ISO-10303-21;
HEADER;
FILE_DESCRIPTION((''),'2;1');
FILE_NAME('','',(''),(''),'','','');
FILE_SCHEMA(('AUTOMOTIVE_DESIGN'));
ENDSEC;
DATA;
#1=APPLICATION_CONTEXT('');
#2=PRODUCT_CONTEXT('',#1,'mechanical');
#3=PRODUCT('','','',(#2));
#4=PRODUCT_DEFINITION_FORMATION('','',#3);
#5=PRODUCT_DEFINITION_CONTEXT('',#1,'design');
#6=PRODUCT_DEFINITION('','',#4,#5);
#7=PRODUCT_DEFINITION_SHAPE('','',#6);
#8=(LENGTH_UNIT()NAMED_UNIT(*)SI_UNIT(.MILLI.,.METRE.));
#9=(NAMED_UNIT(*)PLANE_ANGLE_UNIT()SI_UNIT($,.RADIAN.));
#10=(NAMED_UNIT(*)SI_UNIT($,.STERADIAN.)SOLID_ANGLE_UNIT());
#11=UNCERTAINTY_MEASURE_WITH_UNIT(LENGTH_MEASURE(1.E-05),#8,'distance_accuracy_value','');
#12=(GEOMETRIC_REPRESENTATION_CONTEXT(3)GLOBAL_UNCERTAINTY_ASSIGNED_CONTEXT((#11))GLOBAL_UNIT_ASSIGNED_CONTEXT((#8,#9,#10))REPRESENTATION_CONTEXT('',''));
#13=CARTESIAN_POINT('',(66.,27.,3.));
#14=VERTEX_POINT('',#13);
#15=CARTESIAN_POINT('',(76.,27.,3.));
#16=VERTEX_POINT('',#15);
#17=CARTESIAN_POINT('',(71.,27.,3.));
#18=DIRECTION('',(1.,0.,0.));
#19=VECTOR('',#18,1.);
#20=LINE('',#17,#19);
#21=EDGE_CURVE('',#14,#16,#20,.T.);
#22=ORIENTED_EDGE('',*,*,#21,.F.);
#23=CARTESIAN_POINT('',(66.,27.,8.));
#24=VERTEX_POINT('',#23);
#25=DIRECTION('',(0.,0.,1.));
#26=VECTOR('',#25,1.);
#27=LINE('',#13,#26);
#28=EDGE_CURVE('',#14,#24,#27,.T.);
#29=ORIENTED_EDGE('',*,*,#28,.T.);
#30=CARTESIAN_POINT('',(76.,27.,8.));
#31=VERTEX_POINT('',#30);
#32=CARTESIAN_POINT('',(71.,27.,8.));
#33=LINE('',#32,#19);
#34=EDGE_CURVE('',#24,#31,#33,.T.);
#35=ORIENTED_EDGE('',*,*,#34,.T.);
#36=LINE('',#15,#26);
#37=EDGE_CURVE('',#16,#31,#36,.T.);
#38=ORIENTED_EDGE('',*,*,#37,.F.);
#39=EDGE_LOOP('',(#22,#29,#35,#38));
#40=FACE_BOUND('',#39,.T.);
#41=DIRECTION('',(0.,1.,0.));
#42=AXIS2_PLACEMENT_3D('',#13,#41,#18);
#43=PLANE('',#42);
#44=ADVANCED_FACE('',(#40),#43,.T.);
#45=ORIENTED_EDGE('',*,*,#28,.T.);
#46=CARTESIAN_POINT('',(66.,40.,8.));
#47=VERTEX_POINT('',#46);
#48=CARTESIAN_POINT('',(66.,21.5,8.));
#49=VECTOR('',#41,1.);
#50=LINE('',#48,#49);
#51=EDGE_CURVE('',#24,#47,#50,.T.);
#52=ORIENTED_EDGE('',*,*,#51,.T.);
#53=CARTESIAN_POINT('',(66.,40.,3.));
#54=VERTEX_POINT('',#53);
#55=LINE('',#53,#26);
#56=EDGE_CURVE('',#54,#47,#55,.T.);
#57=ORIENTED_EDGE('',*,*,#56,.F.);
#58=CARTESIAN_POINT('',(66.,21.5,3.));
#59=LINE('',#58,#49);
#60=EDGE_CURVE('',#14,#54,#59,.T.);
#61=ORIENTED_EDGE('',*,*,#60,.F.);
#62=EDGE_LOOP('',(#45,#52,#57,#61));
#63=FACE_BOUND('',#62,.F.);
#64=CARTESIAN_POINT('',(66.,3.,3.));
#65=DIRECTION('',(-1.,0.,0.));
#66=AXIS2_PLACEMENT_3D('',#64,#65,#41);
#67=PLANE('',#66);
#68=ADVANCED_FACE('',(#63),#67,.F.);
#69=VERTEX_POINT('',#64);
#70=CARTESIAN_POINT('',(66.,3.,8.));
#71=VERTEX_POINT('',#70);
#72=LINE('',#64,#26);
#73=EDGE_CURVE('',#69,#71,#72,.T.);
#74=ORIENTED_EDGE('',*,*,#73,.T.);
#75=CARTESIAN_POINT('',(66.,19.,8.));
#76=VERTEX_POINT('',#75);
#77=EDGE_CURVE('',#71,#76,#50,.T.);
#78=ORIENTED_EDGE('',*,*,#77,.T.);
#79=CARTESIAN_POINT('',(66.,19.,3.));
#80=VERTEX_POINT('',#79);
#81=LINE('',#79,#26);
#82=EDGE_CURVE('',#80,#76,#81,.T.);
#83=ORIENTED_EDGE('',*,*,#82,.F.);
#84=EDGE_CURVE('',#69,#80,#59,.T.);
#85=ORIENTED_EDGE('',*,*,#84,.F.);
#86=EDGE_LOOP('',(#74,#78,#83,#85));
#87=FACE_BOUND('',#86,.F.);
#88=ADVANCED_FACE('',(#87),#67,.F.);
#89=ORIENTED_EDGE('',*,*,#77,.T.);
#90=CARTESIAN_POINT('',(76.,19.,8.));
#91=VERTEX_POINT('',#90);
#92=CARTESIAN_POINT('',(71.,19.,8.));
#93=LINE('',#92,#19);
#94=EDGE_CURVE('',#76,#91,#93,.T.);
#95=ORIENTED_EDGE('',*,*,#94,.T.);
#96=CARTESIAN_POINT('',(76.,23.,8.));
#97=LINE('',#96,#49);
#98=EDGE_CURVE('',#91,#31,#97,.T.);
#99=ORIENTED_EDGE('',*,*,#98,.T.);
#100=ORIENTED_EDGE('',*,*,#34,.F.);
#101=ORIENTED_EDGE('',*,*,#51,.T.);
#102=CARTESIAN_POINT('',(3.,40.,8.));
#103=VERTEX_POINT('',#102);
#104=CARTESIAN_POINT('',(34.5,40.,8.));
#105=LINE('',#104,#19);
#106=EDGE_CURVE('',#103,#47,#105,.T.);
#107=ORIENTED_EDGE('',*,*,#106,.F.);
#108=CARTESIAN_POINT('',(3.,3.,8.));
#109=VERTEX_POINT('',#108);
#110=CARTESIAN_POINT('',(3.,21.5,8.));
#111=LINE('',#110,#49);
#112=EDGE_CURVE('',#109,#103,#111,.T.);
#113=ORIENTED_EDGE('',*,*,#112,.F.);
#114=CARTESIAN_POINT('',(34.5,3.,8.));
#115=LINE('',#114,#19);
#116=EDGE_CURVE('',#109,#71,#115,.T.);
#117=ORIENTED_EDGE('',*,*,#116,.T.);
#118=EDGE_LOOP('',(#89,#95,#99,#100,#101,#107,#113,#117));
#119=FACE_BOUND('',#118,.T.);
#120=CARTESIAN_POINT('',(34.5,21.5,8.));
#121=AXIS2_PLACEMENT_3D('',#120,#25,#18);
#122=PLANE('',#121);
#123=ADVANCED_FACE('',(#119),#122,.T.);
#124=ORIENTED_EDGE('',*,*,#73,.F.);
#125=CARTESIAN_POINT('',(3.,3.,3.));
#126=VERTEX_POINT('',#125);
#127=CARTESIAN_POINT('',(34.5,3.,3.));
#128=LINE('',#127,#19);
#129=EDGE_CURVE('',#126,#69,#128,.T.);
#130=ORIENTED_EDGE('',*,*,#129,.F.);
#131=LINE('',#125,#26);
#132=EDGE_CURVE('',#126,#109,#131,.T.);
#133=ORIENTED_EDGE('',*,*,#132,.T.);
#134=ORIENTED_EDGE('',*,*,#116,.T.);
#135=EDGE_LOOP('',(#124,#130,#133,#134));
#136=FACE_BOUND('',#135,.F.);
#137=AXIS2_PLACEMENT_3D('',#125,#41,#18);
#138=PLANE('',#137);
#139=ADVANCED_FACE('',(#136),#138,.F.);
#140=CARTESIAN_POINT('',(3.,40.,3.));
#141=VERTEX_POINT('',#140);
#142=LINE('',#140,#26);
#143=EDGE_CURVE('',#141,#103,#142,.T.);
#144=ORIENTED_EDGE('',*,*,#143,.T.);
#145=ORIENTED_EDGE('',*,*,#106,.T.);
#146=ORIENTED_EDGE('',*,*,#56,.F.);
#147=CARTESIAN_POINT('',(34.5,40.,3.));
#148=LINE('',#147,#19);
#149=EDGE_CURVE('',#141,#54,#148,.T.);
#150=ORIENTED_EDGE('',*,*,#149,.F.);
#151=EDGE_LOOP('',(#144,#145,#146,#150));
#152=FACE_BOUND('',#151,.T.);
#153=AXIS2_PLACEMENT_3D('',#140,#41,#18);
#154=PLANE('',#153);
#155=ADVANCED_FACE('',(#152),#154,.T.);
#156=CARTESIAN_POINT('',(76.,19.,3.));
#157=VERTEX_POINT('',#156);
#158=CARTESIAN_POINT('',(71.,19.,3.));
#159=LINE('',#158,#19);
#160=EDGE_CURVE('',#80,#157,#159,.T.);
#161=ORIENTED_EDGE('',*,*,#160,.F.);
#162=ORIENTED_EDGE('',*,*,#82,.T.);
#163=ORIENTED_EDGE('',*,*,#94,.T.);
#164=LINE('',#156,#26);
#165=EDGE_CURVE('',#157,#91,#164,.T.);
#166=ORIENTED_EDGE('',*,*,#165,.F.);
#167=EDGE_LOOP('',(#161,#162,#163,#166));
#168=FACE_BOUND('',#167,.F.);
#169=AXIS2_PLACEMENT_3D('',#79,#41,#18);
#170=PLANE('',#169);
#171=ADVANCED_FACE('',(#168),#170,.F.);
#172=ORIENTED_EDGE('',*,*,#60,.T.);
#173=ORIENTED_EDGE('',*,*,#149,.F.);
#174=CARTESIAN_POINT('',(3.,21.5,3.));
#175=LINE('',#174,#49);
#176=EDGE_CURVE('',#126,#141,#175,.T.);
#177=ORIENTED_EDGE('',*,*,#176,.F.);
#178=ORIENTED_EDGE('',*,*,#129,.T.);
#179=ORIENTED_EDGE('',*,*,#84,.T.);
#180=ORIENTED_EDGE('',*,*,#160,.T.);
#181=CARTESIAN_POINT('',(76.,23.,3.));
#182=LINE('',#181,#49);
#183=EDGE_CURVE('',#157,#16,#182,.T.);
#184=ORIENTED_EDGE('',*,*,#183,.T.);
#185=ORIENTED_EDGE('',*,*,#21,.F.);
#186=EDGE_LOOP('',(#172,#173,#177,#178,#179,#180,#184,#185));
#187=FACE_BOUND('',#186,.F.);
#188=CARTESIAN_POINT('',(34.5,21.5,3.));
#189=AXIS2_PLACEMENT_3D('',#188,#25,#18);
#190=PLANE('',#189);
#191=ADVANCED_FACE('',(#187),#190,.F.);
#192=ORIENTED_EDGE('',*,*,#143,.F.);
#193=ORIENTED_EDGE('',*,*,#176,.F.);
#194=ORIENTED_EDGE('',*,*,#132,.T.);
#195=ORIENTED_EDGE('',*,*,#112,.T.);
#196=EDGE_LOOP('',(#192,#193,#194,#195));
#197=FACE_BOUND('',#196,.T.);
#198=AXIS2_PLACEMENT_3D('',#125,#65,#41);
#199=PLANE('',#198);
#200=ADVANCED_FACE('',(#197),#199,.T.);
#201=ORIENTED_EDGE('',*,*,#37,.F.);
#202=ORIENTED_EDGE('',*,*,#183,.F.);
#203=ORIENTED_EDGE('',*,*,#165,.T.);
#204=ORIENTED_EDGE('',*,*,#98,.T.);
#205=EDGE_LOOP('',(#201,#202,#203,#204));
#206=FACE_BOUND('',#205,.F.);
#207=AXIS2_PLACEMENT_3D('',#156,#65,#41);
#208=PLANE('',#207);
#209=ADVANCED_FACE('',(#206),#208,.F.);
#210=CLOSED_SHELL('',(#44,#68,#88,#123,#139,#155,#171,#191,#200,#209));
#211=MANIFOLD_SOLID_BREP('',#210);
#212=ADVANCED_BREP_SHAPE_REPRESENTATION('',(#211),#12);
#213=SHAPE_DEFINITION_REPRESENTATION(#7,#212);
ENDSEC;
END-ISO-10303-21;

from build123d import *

# Parameters (mm, degrees)
BOX004_W     = 63
BOX004_H     = 37
BOX004_DEPTH = 5
BOX003_W     = 10
BOX003_H     = 8
BOX003_DEPTH = 5


with BuildPart() as cube004:
    # Box004 → Box004 (new body)
    with BuildSketch(Plane.XY):
        with Locations((31.5, 18.5)):
            Rectangle(BOX004_W, BOX004_H)
    extrude(amount=BOX004_DEPTH)


with BuildPart() as battery_model001:
    # Box003 → Box003 (new body)
    with BuildSketch(Plane(origin=(63, 16, 0), x_dir=(1, 0, 0), z_dir=(0, 0, 1))):
        with Locations((5, 4)):
            Rectangle(BOX003_W, BOX003_H)
    extrude(amount=BOX003_DEPTH)

    # Fusion001: union Cube004
    add(cube004.part)


with BuildPart() as battery_model001_1:
    # Fusion001 placement: moved
    add(battery_model001.part.moved(Location((3, 3, 3))))


solid = battery_model001_1.part
